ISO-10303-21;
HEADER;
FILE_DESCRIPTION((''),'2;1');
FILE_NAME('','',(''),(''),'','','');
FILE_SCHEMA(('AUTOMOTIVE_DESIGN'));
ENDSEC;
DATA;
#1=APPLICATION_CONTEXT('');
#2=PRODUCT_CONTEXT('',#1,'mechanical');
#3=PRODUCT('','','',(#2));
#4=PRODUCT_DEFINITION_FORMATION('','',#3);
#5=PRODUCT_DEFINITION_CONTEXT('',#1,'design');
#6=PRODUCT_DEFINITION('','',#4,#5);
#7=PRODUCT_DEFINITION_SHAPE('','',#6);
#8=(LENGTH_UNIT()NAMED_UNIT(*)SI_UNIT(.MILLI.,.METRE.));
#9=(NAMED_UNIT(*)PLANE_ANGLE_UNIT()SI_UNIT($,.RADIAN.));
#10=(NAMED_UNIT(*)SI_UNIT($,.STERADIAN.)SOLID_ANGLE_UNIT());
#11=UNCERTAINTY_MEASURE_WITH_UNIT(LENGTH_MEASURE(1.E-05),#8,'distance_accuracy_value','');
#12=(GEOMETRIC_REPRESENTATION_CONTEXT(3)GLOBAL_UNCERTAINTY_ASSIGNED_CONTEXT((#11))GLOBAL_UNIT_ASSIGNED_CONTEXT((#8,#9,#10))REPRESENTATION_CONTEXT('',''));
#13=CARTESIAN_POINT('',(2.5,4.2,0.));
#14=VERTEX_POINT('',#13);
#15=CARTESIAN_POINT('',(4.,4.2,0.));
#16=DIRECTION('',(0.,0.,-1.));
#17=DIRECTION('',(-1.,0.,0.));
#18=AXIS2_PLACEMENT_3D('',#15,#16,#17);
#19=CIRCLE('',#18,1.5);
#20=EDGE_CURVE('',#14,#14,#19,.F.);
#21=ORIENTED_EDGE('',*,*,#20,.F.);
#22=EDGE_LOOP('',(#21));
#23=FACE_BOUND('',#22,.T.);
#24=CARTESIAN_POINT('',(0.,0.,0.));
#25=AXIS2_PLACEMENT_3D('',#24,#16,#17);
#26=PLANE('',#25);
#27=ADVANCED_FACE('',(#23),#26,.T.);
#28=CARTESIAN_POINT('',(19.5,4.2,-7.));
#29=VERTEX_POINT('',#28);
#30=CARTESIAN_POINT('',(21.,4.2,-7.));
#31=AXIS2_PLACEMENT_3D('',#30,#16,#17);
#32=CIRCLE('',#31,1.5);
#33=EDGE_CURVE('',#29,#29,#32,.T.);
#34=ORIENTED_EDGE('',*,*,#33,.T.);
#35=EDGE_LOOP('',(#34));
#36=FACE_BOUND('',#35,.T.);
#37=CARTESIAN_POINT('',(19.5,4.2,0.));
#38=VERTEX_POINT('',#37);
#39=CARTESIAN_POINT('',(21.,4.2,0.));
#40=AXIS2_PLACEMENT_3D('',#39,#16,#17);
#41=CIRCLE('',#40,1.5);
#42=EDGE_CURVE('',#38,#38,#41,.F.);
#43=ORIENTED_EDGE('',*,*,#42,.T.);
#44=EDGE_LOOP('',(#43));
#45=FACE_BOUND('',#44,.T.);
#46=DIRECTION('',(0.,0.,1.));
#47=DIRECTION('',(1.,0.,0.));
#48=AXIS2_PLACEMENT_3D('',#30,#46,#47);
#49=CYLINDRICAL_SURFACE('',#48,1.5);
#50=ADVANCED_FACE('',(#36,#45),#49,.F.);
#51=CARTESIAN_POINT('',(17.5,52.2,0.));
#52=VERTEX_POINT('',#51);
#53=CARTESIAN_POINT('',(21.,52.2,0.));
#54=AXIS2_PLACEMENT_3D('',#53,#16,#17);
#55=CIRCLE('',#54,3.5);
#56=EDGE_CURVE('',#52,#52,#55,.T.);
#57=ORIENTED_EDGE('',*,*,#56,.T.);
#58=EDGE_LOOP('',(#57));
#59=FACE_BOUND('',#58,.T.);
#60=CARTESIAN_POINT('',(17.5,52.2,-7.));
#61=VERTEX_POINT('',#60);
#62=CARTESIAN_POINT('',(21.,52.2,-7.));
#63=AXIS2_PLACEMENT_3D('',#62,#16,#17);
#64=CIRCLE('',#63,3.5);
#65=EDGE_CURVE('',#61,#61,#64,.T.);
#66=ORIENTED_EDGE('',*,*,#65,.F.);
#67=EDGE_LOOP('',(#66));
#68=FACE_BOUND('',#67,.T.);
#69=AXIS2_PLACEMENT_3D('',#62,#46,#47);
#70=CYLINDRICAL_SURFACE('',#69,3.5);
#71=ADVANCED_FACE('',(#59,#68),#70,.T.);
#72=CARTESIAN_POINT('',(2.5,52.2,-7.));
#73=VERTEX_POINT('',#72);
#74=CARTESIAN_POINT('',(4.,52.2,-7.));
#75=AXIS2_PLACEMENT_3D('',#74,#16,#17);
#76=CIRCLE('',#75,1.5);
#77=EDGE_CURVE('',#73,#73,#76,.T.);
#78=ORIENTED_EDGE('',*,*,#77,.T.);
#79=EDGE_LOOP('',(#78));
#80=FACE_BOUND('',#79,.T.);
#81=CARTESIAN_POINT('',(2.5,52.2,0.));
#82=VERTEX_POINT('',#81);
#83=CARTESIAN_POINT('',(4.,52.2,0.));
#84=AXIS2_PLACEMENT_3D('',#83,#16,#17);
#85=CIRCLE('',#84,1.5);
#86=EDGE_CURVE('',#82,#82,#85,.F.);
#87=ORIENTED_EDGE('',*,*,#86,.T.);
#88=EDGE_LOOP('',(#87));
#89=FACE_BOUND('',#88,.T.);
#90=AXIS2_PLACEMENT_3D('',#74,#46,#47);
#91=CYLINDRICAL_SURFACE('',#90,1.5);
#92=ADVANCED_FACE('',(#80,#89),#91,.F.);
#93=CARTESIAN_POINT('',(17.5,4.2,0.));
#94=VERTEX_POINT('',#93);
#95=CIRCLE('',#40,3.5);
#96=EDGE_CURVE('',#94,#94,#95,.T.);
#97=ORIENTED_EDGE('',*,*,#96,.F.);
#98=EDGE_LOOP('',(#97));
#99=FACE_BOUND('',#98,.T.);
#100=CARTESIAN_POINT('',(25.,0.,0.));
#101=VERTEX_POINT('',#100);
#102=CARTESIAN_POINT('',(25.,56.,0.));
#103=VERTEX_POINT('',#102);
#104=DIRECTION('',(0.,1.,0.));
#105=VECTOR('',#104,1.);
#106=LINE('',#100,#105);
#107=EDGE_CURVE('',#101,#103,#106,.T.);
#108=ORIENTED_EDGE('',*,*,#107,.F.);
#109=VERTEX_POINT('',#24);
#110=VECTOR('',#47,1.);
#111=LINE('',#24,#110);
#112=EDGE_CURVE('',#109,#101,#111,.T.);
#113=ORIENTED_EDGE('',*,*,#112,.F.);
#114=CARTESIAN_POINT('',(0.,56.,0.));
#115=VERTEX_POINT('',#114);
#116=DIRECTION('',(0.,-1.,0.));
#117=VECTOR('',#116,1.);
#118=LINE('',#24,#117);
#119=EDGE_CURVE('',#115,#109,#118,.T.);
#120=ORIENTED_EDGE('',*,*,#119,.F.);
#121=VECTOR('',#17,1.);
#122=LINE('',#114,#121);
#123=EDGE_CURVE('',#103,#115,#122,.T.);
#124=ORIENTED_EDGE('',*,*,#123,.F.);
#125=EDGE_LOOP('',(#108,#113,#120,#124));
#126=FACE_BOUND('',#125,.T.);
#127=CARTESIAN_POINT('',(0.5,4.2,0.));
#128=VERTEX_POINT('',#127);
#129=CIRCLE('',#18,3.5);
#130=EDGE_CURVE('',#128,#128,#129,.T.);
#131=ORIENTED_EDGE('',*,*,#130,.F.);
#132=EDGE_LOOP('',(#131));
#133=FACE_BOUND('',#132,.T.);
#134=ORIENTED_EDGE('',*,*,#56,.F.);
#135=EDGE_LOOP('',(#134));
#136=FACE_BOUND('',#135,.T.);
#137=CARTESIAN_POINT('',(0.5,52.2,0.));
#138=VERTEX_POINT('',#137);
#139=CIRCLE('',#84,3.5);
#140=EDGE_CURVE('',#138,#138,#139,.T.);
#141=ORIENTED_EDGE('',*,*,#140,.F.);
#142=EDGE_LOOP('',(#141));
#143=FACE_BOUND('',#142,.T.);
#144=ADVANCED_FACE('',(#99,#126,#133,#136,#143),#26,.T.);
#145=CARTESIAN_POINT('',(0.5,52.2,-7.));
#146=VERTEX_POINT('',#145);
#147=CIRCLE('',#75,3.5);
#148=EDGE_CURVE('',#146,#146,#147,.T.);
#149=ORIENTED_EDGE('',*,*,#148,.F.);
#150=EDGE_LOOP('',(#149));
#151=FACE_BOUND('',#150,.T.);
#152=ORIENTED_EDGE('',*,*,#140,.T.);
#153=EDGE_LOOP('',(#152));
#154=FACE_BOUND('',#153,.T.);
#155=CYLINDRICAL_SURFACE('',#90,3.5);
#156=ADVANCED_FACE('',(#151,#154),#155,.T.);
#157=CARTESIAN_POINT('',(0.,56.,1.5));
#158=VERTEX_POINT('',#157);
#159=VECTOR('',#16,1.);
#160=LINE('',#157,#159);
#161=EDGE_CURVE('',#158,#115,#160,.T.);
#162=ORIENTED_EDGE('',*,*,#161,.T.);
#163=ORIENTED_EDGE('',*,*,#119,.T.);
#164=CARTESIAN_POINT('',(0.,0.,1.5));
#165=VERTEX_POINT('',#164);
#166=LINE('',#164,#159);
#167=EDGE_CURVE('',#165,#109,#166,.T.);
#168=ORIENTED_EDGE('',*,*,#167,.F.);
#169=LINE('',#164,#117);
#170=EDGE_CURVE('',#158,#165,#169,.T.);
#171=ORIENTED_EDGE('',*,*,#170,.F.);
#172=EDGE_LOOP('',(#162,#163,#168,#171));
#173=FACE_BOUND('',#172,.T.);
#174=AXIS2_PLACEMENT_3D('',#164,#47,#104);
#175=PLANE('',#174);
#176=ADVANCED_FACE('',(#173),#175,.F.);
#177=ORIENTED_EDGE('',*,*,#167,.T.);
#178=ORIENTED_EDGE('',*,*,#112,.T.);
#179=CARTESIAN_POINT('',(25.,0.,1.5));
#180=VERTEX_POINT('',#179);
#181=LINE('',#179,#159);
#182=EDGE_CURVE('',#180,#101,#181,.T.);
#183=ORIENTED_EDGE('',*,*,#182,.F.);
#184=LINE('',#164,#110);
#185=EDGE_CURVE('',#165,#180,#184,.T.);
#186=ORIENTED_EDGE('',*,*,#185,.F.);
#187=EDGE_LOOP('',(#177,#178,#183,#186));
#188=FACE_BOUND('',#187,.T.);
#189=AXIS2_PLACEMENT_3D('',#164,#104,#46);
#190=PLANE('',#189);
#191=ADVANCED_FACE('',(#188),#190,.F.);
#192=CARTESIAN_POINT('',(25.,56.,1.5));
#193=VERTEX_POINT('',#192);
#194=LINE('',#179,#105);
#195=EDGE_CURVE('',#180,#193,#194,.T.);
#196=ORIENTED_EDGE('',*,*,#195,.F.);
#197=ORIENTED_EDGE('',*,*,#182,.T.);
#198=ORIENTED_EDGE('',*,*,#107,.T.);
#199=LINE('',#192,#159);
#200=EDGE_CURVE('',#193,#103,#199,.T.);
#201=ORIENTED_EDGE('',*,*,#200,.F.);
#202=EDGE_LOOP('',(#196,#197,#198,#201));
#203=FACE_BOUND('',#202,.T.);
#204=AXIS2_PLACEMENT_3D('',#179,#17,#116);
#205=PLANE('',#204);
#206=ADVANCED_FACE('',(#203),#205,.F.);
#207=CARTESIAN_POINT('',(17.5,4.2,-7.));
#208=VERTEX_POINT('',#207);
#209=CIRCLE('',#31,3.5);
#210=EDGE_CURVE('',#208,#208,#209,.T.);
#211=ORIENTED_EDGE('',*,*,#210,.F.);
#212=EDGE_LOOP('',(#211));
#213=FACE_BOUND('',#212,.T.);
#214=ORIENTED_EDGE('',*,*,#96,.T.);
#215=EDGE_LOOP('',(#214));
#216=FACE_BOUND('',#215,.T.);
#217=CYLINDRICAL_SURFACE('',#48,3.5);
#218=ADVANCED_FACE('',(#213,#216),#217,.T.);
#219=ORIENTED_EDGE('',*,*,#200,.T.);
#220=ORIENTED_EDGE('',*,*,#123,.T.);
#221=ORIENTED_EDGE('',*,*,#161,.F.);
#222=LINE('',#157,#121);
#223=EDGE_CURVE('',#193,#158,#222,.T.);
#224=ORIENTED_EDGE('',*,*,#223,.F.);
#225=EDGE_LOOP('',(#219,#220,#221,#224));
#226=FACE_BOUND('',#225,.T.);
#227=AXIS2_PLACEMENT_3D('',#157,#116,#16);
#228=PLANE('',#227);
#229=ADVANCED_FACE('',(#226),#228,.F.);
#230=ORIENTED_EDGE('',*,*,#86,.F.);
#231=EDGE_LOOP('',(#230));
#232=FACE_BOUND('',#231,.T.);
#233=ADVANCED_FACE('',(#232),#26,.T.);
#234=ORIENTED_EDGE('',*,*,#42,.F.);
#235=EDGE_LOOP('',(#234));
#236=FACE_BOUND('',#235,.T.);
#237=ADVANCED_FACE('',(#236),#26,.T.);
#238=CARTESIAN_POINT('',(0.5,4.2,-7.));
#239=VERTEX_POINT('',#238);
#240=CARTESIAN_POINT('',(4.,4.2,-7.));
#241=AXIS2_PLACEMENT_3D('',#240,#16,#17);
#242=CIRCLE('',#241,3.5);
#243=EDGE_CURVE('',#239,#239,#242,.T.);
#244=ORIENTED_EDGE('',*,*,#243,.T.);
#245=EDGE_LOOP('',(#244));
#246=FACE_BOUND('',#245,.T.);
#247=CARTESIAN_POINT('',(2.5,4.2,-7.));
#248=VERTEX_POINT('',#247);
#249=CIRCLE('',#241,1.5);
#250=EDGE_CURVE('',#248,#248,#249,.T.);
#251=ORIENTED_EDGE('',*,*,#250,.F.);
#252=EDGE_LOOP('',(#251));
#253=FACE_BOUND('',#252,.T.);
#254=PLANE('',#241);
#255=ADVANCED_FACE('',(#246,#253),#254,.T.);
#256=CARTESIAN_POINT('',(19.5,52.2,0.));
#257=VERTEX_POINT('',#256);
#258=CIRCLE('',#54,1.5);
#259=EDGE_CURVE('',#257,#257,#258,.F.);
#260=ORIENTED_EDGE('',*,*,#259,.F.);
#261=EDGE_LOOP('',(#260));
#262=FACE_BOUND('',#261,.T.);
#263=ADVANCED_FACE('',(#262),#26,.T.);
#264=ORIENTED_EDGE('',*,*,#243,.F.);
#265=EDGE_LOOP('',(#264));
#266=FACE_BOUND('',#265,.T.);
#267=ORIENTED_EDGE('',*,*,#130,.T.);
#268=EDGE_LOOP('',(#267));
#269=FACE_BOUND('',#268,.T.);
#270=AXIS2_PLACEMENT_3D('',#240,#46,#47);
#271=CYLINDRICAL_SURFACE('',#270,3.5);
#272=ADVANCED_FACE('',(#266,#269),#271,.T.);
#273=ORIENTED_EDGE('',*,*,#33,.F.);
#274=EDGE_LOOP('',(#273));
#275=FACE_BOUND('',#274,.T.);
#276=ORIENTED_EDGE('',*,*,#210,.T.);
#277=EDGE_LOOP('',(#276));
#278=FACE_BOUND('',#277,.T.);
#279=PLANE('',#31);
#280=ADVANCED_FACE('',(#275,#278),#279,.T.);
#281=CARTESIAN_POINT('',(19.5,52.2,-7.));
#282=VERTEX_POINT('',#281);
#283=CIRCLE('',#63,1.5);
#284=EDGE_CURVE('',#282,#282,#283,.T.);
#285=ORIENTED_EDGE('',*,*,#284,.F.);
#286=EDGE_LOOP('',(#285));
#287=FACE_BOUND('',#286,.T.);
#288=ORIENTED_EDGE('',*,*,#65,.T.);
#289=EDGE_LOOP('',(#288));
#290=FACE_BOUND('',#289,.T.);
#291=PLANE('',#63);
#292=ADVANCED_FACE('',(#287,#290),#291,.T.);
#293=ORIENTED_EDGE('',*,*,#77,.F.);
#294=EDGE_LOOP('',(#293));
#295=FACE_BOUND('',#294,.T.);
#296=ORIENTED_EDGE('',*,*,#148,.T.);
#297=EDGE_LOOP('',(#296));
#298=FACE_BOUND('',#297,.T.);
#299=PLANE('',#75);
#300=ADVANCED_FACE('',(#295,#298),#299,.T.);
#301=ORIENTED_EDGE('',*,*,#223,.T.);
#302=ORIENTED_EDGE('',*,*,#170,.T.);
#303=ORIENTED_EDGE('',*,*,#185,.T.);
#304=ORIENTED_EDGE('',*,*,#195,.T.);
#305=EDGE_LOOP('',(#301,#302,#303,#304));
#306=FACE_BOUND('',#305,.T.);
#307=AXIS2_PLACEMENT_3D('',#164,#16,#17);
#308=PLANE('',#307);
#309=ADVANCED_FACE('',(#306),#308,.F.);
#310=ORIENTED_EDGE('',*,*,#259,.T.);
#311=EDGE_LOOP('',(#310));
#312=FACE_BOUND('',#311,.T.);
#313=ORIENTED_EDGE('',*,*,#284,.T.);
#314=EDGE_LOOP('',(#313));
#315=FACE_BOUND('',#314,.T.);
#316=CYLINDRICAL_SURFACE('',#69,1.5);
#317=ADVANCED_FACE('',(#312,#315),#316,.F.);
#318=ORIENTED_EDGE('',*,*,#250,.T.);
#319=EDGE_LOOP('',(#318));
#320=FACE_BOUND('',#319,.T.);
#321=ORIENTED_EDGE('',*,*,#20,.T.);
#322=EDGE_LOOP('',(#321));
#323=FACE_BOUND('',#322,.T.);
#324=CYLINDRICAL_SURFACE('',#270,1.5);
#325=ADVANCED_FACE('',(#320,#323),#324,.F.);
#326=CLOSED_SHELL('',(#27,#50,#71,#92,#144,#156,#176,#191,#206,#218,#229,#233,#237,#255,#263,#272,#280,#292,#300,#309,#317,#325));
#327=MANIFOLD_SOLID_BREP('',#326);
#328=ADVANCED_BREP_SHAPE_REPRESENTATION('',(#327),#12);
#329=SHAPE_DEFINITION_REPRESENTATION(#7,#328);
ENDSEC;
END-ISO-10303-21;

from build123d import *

# Parameters (mm, degrees)
SKETCH_1_W      = 25
SKETCH_1_H      = 56
EXTRUDE_1_DEPTH = 1.5
SKETCH_2_R      = 3.5
SKETCH_2_R_2    = 1.5
EXTRUDE_2_DEPTH = 7


with BuildPart() as part:
    # Эскиз1 → Бобышка-Вытянуть1 (new body)
    with BuildSketch(Plane.XY):
        with Locations((12.5, 28)):
            Rectangle(SKETCH_1_W, SKETCH_1_H)
    extrude(amount=EXTRUDE_1_DEPTH)

    # Эскиз2 → Бобышка-Вытянуть2 (add)
    # profile 1 of 4: a face of its own
    with BuildSketch(Plane(origin=(0, 0, 0), x_dir=(-1, 0, 0), z_dir=(0, 0, -1))):
        with Locations((-21, 52.2)):
            Circle(SKETCH_2_R)
        with Locations((-21, 52.2)):
            Circle(SKETCH_2_R_2, mode=Mode.SUBTRACT)
    # profile 2 of 4: a face of its own
    with BuildSketch(Plane(origin=(0, 0, 0), x_dir=(-1, 0, 0), z_dir=(0, 0, -1))):
        with Locations((-4, 52.2)):
            Circle(SKETCH_2_R)
        with Locations((-4, 52.2)):
            Circle(SKETCH_2_R_2, mode=Mode.SUBTRACT)
    # profile 3 of 4: a face of its own
    with BuildSketch(Plane(origin=(0, 0, 0), x_dir=(-1, 0, 0), z_dir=(0, 0, -1))):
        with Locations((-21, 4.2)):
            Circle(SKETCH_2_R)
        with Locations((-21, 4.2)):
            Circle(SKETCH_2_R_2, mode=Mode.SUBTRACT)
    # profile 4 of 4: a face of its own
    with BuildSketch(Plane(origin=(0, 0, 0), x_dir=(-1, 0, 0), z_dir=(0, 0, -1))):
        with Locations((-4, 4.2)):
            Circle(SKETCH_2_R)
        with Locations((-4, 4.2)):
            Circle(SKETCH_2_R_2, mode=Mode.SUBTRACT)
    extrude(amount=EXTRUDE_2_DEPTH)


solid = part.part
